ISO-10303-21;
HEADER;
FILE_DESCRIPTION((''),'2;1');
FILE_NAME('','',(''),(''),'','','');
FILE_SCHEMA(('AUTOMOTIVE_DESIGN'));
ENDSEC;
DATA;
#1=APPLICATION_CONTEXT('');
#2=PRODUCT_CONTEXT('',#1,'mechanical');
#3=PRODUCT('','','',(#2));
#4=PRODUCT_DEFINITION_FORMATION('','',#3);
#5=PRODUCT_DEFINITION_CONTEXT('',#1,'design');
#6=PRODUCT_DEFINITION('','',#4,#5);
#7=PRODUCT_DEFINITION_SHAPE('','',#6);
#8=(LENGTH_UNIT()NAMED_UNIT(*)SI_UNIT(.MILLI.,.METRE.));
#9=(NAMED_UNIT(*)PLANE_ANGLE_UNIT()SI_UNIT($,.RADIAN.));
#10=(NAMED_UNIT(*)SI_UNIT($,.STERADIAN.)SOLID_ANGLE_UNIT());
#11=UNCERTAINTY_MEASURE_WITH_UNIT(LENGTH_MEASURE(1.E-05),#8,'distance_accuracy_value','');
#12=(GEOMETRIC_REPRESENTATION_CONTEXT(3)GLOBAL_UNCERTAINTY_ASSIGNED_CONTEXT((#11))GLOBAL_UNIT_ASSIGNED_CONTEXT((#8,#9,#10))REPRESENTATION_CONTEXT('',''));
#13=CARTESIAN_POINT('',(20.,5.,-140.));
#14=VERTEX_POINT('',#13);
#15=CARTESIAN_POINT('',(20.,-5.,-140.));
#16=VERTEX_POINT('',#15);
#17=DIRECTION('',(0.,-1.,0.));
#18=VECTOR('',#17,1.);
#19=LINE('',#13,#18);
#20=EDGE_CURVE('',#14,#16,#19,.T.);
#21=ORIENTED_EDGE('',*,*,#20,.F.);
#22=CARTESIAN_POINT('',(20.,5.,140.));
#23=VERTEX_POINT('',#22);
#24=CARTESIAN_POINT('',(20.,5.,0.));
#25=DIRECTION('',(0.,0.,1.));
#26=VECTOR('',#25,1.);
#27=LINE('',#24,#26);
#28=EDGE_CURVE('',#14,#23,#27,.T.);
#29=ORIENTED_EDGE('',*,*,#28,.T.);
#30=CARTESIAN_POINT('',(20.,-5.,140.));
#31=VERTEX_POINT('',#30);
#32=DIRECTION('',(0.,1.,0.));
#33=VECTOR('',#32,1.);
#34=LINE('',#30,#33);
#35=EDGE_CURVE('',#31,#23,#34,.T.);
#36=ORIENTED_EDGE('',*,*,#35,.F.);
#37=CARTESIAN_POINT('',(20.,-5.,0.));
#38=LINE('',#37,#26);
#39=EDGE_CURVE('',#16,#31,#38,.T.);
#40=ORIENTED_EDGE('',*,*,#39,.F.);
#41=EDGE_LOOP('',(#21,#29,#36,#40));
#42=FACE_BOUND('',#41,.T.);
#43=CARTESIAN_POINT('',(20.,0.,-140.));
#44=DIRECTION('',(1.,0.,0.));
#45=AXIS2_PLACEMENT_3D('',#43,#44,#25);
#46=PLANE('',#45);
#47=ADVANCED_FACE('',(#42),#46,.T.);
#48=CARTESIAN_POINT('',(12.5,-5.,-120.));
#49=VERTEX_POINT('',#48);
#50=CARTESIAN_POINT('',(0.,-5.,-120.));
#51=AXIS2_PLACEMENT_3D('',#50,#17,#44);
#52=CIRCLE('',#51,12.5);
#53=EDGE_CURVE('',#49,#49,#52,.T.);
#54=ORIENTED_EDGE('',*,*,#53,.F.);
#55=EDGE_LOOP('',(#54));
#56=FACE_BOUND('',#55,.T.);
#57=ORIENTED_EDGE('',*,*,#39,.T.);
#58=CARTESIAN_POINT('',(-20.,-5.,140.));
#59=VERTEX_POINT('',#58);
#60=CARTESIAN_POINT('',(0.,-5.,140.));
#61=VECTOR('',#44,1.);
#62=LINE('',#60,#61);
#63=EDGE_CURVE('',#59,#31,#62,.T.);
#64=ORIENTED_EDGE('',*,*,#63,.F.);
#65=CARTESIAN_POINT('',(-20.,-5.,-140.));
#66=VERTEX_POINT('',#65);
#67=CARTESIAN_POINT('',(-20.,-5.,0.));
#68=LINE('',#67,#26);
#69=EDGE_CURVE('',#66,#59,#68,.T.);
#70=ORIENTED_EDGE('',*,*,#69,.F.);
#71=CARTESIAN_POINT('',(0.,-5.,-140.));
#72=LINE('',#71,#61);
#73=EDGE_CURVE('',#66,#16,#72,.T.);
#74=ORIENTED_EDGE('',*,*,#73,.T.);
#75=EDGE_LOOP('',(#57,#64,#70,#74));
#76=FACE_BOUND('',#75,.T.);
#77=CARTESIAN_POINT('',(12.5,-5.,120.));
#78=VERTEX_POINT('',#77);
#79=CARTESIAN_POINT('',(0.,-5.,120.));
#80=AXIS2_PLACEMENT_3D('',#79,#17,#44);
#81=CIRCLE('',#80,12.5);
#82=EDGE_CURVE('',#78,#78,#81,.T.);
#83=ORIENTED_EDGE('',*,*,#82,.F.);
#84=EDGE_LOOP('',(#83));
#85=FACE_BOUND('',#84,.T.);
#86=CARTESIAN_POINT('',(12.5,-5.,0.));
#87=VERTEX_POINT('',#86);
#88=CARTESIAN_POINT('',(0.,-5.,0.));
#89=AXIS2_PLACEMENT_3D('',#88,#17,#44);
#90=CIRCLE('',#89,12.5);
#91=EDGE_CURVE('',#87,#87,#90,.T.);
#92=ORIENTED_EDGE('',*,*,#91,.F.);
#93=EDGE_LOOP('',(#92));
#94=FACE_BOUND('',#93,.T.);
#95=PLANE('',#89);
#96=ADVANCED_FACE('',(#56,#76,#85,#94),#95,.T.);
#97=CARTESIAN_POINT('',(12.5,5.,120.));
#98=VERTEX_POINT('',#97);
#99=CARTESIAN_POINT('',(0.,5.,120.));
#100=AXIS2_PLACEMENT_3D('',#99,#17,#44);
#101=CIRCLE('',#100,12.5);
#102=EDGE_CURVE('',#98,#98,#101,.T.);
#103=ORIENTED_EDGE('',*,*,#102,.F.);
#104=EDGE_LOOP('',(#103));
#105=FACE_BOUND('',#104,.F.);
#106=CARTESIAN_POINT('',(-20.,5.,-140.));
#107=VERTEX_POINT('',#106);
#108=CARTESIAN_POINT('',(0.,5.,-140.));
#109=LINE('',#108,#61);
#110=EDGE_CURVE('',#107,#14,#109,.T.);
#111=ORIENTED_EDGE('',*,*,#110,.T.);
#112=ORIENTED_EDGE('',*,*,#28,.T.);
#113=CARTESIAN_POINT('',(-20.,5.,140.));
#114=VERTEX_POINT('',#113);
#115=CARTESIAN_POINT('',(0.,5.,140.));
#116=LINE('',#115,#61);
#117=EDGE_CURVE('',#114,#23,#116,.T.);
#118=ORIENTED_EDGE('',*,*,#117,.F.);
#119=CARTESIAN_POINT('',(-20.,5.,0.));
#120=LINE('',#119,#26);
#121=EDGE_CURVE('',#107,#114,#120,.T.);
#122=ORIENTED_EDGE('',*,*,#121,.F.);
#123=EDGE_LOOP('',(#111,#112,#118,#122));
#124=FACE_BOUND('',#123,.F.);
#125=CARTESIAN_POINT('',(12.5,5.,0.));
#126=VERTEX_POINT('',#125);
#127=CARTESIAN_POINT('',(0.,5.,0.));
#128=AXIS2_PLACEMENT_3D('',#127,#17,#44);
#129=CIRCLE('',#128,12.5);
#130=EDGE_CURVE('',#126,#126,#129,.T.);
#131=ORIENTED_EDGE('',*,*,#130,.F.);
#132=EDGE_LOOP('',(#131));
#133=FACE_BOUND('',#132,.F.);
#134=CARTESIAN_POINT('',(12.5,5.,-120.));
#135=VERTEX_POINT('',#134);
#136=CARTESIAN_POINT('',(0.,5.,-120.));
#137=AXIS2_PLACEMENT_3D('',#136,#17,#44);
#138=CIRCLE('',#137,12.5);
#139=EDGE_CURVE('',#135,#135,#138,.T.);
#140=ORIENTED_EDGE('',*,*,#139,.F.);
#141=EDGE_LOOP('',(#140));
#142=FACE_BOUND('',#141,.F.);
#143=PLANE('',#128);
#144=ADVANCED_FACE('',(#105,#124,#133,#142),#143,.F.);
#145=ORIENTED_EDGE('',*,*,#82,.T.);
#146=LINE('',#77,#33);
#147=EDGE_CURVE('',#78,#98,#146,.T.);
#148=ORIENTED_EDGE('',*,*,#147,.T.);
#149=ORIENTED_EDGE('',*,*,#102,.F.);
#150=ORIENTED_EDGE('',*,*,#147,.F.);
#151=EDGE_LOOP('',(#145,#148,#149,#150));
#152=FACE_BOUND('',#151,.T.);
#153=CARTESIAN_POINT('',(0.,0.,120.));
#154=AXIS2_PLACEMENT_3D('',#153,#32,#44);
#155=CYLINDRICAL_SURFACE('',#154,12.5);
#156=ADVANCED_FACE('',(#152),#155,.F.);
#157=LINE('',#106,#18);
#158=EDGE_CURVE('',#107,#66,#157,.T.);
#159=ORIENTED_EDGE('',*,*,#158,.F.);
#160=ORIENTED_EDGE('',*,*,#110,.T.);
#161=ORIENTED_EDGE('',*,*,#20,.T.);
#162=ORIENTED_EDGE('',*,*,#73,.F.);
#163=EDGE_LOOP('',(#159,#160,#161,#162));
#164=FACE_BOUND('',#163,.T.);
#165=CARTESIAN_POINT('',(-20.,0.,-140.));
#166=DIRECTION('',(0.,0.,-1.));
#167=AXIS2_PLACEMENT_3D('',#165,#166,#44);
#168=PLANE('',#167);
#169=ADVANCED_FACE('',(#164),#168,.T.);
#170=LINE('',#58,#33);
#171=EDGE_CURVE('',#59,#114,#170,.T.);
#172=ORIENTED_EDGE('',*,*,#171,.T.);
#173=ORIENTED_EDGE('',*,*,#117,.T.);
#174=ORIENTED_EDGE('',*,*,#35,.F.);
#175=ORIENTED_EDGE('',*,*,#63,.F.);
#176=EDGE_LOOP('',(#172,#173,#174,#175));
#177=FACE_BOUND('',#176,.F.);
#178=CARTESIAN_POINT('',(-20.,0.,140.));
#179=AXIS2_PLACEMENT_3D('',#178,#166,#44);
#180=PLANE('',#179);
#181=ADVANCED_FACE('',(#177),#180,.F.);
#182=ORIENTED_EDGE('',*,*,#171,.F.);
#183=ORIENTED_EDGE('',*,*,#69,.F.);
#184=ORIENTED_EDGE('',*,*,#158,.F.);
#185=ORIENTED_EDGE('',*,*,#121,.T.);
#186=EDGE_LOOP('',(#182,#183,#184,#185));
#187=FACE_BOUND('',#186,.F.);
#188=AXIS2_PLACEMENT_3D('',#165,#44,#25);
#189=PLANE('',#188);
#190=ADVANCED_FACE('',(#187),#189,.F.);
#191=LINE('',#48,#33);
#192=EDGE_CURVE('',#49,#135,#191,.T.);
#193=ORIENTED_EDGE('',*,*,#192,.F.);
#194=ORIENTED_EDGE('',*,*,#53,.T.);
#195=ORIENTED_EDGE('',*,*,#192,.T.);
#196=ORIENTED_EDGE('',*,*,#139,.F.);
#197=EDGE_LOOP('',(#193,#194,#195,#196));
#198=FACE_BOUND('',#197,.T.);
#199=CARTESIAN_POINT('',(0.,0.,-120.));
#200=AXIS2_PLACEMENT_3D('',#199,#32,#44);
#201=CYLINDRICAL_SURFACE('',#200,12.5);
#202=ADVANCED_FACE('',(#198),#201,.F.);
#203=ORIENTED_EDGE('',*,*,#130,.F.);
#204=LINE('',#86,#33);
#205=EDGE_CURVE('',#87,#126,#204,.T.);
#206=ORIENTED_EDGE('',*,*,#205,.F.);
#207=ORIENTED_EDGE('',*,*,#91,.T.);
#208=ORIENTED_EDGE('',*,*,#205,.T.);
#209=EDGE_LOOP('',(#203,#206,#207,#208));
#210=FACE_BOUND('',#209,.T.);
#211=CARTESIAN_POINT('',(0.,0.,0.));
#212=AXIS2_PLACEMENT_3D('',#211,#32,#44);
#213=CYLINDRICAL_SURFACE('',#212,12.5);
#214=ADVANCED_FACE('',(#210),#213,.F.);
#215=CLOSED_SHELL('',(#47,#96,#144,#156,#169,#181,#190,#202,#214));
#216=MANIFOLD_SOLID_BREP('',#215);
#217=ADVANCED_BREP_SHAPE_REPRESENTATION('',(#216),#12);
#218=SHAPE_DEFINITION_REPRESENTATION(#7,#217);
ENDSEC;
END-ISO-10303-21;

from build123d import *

# Parameters (mm, degrees)
F0_W     = 40
F0_H     = 280
F0_R     = 12.5
F1_DEPTH = 5


with BuildPart() as f1:
    # F0 (on Front) → F1 (new body, symmetric)
    with BuildSketch(Plane.XZ):
        Rectangle(F0_W, F0_H)
        with Locations((0, -120)):
            Circle(F0_R, mode=Mode.SUBTRACT)
        Circle(F0_R, mode=Mode.SUBTRACT)
        with Locations((0, 120)):
            Circle(F0_R, mode=Mode.SUBTRACT)
    extrude(amount=F1_DEPTH, both=True)


solid = f1.part
